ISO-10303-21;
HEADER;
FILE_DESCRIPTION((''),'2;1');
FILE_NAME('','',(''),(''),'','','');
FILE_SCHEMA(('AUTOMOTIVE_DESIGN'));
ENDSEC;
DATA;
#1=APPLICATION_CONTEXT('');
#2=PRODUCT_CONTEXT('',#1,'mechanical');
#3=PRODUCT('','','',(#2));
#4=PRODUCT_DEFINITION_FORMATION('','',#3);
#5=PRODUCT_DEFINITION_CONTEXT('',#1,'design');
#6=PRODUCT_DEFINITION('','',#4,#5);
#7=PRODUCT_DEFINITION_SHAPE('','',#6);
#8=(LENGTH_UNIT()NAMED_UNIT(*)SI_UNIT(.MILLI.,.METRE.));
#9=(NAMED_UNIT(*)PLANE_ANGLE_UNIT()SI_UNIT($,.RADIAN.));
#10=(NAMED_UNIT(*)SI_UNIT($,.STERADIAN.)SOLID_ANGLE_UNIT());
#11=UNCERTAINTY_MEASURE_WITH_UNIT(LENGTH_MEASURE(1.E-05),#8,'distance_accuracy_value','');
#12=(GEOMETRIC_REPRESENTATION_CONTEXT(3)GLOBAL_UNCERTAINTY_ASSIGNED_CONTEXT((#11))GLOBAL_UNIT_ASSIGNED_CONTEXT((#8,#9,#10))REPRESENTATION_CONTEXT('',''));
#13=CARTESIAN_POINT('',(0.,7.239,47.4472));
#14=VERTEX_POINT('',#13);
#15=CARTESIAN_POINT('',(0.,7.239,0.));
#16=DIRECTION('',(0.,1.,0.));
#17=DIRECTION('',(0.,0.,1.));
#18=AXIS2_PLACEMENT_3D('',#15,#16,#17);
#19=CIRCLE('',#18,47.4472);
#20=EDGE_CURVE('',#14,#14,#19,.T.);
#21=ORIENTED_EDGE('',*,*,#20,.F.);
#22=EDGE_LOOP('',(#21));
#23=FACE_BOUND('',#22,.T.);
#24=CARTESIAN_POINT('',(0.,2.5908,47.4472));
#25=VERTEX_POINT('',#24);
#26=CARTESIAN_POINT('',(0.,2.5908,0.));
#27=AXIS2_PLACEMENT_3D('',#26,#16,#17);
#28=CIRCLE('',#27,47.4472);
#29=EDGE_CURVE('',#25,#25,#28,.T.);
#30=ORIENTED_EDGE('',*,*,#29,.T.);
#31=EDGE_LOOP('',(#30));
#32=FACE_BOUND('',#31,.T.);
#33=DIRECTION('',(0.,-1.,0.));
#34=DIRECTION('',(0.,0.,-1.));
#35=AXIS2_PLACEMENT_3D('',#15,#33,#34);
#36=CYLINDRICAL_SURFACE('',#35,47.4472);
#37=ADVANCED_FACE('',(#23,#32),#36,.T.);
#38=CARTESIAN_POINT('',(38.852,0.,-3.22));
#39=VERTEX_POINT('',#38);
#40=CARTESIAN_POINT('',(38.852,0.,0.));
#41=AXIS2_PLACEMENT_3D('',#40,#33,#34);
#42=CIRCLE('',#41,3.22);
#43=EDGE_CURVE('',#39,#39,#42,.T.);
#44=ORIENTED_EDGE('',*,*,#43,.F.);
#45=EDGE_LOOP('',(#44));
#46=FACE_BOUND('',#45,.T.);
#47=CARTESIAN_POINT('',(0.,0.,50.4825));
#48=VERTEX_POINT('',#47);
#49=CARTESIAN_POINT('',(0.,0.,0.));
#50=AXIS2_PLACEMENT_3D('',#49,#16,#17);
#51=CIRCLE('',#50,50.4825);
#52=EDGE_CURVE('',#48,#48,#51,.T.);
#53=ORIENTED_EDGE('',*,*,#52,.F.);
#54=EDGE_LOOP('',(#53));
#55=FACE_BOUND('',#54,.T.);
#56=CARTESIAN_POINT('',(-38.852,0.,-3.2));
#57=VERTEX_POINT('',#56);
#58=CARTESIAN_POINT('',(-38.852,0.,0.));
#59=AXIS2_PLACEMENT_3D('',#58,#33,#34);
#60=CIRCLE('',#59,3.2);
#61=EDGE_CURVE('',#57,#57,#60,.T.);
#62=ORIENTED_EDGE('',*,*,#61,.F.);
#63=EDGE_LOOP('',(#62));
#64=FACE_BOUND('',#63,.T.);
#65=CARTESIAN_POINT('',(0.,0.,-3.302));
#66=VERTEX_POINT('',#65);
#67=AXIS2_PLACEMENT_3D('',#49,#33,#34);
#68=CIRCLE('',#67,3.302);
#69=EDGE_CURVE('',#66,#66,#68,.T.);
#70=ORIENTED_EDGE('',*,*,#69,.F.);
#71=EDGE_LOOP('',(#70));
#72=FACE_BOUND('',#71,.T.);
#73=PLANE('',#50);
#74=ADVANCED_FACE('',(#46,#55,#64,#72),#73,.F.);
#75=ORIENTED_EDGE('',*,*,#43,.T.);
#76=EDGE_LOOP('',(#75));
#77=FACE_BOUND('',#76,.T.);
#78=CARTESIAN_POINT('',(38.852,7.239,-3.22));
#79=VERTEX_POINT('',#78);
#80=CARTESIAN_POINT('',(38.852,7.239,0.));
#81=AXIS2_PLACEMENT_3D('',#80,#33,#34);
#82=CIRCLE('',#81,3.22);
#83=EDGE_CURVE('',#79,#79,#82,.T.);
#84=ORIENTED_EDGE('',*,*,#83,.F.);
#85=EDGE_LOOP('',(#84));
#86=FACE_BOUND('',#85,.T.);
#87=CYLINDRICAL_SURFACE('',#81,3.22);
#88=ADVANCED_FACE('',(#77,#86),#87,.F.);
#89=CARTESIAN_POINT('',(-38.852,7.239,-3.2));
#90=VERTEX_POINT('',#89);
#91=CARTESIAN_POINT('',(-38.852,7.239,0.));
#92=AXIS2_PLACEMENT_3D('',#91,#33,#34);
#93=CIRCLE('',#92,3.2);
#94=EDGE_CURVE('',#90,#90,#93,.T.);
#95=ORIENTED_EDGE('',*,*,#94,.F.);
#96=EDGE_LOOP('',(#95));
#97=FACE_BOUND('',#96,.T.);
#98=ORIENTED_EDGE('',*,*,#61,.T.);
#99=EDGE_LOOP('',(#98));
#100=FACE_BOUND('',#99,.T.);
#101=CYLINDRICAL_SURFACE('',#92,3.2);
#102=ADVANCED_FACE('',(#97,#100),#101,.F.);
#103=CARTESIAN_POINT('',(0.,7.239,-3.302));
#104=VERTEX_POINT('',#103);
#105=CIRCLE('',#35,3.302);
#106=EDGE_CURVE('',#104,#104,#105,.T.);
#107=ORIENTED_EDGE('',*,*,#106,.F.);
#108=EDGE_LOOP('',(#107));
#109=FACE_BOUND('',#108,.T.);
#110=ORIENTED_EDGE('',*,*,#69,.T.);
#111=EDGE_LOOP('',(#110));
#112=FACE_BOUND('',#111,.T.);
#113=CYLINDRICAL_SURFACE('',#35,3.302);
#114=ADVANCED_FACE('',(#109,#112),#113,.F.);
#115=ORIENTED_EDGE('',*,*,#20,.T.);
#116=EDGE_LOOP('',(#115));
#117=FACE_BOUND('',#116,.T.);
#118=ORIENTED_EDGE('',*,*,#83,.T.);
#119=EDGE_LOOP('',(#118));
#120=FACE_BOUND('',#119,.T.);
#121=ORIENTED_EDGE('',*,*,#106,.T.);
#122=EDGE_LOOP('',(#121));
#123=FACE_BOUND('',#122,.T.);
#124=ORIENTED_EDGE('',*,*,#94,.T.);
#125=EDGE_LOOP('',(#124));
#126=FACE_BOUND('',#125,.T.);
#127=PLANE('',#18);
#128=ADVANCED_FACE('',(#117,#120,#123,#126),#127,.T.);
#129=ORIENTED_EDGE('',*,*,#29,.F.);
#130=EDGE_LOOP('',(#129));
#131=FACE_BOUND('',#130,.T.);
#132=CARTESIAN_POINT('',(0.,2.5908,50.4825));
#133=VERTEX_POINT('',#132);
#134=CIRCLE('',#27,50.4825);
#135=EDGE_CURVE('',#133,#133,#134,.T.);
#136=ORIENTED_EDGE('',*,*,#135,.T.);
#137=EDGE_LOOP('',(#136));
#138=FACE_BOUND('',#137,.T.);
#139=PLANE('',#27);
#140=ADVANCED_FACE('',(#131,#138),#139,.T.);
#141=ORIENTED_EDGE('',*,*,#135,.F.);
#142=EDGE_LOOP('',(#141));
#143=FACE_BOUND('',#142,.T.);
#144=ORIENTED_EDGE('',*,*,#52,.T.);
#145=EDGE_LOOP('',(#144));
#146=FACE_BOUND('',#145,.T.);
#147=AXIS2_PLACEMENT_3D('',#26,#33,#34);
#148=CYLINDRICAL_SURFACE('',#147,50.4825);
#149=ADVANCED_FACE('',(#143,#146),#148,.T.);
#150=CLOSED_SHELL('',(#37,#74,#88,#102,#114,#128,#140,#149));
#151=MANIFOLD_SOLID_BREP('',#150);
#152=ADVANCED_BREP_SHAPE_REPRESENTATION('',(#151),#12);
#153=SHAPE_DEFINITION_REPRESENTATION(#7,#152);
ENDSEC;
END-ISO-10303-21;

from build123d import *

# Parameters (mm, degrees)
SKETCH1_R           = 50.4825
BOSS_EXTRUDE1_DEPTH = 2.5908
SKETCH2_R           = 47.4472
BOSS_EXTRUDE2_DEPTH = 4.6482
SKETCH3_R           = 3.2
SKETCH3_R_2         = 3.22
SKETCH3_R_3         = 3.302
CUT_EXTRUDE1_DEPTH  = 8.239


with BuildPart() as part:
    # Sketch1 → Boss-Extrude1 (new body)
    with BuildSketch(Plane(origin=(0, 0, 0), x_dir=(1, 0, 0), z_dir=(0, 1, 0))):
        Circle(SKETCH1_R)
    extrude(amount=BOSS_EXTRUDE1_DEPTH)

    # Sketch2 → Boss-Extrude2 (add)
    with BuildSketch(Plane(origin=(0, 2.5908, 0), x_dir=(1, 0, 0), z_dir=(0, 1, 0))):
        Circle(SKETCH2_R)
    extrude(amount=BOSS_EXTRUDE2_DEPTH)

    # Sketch3 → Cut-Extrude1 (cut, through all)
    with BuildSketch(Plane.XZ):
        with Locations((-38.852, 0)):
            Circle(SKETCH3_R)
        with Locations((38.85200002, 0)):
            Circle(SKETCH3_R_2)
        Circle(SKETCH3_R_3)
    extrude(amount=-CUT_EXTRUDE1_DEPTH, mode=Mode.SUBTRACT)


solid = part.part
